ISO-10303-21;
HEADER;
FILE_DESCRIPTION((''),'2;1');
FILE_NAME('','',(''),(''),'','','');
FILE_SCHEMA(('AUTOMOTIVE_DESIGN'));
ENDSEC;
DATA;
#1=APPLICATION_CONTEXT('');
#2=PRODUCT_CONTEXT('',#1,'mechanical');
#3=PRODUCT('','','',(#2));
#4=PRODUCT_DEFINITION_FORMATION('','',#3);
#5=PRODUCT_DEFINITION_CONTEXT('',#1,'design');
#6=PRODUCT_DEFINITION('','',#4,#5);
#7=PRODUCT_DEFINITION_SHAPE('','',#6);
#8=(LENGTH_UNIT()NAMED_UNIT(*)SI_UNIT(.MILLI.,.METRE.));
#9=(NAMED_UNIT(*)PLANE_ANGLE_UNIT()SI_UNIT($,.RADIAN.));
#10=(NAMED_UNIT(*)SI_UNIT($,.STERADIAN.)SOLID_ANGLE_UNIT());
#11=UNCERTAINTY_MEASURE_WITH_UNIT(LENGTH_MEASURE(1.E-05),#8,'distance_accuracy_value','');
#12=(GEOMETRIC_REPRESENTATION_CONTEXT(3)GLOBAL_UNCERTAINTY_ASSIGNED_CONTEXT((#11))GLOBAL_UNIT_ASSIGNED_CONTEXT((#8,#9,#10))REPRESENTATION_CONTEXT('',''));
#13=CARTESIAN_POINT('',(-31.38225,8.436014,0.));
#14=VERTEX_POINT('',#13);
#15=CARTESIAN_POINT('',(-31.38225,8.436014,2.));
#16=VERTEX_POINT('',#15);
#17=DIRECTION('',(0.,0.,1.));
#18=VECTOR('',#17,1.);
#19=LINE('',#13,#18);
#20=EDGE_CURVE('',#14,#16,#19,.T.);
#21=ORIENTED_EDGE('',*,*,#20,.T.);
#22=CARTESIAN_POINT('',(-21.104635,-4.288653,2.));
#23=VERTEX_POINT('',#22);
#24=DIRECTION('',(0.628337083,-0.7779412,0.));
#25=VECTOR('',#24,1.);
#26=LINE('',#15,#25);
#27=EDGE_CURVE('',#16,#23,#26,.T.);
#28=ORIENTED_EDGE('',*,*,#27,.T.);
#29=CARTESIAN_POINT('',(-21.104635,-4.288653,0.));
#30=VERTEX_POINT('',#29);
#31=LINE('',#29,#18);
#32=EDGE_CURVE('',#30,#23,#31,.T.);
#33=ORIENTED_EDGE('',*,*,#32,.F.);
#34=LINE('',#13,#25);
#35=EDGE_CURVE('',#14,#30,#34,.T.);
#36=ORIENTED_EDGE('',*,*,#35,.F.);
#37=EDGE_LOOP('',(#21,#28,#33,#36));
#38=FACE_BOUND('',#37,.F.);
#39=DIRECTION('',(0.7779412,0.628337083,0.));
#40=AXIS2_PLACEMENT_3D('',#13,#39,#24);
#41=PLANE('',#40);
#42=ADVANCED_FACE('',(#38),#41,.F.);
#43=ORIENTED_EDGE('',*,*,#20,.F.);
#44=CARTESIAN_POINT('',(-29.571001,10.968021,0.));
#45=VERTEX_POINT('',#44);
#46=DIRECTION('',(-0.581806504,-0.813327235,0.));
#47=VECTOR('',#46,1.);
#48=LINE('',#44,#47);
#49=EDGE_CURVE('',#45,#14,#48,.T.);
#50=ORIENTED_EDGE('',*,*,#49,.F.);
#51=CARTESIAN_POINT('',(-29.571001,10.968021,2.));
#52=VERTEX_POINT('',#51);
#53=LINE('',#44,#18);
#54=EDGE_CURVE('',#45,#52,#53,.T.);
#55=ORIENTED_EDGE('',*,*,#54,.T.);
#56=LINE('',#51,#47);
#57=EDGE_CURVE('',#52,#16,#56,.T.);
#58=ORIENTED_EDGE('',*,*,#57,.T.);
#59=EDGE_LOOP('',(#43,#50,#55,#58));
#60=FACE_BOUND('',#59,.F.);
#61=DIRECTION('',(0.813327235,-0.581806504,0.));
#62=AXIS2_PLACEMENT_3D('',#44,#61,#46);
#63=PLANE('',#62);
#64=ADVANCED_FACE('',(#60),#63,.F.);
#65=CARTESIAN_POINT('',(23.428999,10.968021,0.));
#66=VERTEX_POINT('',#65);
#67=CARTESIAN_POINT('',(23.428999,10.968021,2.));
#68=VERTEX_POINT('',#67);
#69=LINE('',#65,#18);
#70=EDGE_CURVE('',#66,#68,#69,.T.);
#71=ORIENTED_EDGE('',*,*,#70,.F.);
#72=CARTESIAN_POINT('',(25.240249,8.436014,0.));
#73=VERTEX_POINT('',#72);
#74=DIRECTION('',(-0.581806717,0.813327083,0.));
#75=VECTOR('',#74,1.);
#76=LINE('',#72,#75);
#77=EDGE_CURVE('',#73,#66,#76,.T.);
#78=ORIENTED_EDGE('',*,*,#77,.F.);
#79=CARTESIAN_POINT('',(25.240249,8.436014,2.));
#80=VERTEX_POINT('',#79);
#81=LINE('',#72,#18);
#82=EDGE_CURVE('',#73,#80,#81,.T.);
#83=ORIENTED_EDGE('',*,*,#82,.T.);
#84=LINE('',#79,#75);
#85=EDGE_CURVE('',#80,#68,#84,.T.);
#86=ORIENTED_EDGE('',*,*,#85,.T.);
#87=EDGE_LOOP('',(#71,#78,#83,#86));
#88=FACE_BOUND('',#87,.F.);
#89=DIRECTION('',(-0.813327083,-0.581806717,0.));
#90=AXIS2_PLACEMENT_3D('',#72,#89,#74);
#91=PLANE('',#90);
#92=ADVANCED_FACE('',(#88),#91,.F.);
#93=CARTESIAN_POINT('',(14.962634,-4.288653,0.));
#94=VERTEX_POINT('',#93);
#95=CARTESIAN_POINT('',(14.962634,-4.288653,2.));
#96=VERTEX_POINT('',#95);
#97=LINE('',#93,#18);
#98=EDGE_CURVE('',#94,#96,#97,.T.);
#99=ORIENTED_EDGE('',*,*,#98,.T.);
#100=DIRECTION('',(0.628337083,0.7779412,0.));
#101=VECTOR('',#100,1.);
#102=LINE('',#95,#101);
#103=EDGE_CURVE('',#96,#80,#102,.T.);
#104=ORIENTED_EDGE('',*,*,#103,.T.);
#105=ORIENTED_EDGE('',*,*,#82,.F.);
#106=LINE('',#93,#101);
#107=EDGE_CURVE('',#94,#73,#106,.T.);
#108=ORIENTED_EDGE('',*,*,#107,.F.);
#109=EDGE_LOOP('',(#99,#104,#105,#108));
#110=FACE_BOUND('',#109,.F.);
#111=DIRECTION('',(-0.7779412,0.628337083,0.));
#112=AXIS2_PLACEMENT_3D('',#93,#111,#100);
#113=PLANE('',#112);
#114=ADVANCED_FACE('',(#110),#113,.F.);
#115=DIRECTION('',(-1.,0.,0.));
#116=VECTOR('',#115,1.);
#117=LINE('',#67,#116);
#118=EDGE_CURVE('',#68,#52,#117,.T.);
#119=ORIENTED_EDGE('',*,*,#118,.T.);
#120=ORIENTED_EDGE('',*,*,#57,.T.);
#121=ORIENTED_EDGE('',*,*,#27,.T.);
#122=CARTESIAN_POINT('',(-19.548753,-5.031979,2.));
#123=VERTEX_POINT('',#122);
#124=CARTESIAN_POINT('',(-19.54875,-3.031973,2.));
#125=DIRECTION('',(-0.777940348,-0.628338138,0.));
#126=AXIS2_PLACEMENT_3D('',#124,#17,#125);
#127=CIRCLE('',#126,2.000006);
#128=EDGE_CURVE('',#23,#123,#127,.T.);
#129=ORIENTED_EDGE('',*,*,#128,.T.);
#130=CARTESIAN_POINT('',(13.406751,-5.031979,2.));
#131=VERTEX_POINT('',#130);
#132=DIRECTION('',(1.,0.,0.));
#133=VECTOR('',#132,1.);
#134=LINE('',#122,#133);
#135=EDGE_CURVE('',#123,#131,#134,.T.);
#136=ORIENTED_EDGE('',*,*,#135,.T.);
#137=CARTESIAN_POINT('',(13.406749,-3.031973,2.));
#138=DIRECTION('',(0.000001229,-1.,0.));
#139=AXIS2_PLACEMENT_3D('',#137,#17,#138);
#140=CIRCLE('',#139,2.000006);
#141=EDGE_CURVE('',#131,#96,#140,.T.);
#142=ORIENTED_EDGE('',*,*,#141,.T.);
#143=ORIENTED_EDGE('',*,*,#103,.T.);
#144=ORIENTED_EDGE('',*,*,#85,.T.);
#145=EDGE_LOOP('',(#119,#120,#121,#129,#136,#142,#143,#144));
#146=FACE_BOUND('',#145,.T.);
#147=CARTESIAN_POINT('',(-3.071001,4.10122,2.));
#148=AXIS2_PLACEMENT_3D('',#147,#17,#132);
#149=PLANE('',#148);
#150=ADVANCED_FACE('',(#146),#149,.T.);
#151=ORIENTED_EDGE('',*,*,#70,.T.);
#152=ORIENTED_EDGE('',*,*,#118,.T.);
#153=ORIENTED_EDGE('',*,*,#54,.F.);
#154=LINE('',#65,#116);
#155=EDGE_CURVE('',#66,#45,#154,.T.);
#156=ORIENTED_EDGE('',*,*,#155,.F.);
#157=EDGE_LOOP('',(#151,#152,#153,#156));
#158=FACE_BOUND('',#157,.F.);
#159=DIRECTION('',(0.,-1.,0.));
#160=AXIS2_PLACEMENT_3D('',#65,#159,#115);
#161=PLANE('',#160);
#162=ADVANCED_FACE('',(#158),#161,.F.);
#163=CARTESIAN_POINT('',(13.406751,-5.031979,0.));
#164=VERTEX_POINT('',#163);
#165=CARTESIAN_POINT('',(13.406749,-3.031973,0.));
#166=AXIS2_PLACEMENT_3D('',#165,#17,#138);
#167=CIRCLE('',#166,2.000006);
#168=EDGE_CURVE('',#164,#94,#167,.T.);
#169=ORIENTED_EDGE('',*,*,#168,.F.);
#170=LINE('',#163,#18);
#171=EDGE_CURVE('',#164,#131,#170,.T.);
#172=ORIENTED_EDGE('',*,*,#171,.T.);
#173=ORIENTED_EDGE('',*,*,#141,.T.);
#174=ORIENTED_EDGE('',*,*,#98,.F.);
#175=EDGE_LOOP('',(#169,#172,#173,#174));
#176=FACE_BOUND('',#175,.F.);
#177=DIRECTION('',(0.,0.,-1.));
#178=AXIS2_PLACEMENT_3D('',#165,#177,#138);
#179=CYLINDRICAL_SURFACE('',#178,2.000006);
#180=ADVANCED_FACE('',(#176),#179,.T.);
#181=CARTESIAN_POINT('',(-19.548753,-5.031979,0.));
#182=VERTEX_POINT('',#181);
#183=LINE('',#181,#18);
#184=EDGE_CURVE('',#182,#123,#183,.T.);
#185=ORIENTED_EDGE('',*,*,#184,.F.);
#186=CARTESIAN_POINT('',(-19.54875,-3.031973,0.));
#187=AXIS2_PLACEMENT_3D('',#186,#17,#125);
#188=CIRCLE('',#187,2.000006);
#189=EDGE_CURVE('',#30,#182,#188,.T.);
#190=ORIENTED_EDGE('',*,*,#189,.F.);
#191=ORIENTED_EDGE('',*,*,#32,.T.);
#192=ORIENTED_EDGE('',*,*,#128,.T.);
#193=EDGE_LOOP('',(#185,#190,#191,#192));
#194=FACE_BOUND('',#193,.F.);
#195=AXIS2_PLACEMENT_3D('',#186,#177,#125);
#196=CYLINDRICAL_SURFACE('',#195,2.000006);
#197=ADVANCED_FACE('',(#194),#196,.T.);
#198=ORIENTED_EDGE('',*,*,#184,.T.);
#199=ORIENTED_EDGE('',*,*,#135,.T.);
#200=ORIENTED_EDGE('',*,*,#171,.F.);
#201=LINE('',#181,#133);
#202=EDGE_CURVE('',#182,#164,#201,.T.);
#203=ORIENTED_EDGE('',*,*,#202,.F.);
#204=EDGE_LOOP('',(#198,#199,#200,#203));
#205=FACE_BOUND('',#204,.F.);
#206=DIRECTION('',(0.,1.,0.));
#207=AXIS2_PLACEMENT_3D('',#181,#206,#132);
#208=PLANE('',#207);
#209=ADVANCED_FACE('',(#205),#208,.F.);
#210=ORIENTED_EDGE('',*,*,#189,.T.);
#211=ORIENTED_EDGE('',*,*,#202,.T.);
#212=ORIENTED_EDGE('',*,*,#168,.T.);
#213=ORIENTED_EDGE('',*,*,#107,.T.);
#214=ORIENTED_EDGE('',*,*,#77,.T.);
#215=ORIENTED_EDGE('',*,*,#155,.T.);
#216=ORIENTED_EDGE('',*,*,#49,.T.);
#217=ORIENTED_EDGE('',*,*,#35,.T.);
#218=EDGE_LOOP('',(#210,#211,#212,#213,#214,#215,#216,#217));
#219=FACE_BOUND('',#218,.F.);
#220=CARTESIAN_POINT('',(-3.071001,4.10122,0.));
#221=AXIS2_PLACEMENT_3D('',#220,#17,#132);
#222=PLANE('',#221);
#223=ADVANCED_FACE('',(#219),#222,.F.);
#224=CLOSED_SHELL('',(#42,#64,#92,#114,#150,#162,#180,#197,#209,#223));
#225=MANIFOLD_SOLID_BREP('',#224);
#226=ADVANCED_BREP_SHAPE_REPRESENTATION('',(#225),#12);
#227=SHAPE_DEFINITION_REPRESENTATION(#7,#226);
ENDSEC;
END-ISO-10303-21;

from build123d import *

# Parameters (mm, degrees)
F1_DEPTH = 2


with BuildPart() as f1:
    # F0 (on Top) → F1 (new body)
    with BuildSketch(Plane.XY):
        with BuildLine():
            Line((-29.571001, 10.968021), (-31.38225, 8.436014))
            Line((-31.38225, 8.436014), (-21.104635, -4.288653))
            ThreePointArc((-21.104635, -4.288653), (-20.410916, -4.836604), (-19.548753, -5.031979))
            Line((-19.548753, -5.031979), (13.406751, -5.031979))
            ThreePointArc((13.406751, -5.031979), (14.268915, -4.836604), (14.962634, -4.288653))
            Line((14.962634, -4.288653), (25.240249, 8.436014))
            Line((25.240249, 8.436014), (23.428999, 10.968021))
            Line((23.428999, 10.968021), (-29.571001, 10.968021))
        make_face()
    extrude(amount=F1_DEPTH)


solid = f1.part
